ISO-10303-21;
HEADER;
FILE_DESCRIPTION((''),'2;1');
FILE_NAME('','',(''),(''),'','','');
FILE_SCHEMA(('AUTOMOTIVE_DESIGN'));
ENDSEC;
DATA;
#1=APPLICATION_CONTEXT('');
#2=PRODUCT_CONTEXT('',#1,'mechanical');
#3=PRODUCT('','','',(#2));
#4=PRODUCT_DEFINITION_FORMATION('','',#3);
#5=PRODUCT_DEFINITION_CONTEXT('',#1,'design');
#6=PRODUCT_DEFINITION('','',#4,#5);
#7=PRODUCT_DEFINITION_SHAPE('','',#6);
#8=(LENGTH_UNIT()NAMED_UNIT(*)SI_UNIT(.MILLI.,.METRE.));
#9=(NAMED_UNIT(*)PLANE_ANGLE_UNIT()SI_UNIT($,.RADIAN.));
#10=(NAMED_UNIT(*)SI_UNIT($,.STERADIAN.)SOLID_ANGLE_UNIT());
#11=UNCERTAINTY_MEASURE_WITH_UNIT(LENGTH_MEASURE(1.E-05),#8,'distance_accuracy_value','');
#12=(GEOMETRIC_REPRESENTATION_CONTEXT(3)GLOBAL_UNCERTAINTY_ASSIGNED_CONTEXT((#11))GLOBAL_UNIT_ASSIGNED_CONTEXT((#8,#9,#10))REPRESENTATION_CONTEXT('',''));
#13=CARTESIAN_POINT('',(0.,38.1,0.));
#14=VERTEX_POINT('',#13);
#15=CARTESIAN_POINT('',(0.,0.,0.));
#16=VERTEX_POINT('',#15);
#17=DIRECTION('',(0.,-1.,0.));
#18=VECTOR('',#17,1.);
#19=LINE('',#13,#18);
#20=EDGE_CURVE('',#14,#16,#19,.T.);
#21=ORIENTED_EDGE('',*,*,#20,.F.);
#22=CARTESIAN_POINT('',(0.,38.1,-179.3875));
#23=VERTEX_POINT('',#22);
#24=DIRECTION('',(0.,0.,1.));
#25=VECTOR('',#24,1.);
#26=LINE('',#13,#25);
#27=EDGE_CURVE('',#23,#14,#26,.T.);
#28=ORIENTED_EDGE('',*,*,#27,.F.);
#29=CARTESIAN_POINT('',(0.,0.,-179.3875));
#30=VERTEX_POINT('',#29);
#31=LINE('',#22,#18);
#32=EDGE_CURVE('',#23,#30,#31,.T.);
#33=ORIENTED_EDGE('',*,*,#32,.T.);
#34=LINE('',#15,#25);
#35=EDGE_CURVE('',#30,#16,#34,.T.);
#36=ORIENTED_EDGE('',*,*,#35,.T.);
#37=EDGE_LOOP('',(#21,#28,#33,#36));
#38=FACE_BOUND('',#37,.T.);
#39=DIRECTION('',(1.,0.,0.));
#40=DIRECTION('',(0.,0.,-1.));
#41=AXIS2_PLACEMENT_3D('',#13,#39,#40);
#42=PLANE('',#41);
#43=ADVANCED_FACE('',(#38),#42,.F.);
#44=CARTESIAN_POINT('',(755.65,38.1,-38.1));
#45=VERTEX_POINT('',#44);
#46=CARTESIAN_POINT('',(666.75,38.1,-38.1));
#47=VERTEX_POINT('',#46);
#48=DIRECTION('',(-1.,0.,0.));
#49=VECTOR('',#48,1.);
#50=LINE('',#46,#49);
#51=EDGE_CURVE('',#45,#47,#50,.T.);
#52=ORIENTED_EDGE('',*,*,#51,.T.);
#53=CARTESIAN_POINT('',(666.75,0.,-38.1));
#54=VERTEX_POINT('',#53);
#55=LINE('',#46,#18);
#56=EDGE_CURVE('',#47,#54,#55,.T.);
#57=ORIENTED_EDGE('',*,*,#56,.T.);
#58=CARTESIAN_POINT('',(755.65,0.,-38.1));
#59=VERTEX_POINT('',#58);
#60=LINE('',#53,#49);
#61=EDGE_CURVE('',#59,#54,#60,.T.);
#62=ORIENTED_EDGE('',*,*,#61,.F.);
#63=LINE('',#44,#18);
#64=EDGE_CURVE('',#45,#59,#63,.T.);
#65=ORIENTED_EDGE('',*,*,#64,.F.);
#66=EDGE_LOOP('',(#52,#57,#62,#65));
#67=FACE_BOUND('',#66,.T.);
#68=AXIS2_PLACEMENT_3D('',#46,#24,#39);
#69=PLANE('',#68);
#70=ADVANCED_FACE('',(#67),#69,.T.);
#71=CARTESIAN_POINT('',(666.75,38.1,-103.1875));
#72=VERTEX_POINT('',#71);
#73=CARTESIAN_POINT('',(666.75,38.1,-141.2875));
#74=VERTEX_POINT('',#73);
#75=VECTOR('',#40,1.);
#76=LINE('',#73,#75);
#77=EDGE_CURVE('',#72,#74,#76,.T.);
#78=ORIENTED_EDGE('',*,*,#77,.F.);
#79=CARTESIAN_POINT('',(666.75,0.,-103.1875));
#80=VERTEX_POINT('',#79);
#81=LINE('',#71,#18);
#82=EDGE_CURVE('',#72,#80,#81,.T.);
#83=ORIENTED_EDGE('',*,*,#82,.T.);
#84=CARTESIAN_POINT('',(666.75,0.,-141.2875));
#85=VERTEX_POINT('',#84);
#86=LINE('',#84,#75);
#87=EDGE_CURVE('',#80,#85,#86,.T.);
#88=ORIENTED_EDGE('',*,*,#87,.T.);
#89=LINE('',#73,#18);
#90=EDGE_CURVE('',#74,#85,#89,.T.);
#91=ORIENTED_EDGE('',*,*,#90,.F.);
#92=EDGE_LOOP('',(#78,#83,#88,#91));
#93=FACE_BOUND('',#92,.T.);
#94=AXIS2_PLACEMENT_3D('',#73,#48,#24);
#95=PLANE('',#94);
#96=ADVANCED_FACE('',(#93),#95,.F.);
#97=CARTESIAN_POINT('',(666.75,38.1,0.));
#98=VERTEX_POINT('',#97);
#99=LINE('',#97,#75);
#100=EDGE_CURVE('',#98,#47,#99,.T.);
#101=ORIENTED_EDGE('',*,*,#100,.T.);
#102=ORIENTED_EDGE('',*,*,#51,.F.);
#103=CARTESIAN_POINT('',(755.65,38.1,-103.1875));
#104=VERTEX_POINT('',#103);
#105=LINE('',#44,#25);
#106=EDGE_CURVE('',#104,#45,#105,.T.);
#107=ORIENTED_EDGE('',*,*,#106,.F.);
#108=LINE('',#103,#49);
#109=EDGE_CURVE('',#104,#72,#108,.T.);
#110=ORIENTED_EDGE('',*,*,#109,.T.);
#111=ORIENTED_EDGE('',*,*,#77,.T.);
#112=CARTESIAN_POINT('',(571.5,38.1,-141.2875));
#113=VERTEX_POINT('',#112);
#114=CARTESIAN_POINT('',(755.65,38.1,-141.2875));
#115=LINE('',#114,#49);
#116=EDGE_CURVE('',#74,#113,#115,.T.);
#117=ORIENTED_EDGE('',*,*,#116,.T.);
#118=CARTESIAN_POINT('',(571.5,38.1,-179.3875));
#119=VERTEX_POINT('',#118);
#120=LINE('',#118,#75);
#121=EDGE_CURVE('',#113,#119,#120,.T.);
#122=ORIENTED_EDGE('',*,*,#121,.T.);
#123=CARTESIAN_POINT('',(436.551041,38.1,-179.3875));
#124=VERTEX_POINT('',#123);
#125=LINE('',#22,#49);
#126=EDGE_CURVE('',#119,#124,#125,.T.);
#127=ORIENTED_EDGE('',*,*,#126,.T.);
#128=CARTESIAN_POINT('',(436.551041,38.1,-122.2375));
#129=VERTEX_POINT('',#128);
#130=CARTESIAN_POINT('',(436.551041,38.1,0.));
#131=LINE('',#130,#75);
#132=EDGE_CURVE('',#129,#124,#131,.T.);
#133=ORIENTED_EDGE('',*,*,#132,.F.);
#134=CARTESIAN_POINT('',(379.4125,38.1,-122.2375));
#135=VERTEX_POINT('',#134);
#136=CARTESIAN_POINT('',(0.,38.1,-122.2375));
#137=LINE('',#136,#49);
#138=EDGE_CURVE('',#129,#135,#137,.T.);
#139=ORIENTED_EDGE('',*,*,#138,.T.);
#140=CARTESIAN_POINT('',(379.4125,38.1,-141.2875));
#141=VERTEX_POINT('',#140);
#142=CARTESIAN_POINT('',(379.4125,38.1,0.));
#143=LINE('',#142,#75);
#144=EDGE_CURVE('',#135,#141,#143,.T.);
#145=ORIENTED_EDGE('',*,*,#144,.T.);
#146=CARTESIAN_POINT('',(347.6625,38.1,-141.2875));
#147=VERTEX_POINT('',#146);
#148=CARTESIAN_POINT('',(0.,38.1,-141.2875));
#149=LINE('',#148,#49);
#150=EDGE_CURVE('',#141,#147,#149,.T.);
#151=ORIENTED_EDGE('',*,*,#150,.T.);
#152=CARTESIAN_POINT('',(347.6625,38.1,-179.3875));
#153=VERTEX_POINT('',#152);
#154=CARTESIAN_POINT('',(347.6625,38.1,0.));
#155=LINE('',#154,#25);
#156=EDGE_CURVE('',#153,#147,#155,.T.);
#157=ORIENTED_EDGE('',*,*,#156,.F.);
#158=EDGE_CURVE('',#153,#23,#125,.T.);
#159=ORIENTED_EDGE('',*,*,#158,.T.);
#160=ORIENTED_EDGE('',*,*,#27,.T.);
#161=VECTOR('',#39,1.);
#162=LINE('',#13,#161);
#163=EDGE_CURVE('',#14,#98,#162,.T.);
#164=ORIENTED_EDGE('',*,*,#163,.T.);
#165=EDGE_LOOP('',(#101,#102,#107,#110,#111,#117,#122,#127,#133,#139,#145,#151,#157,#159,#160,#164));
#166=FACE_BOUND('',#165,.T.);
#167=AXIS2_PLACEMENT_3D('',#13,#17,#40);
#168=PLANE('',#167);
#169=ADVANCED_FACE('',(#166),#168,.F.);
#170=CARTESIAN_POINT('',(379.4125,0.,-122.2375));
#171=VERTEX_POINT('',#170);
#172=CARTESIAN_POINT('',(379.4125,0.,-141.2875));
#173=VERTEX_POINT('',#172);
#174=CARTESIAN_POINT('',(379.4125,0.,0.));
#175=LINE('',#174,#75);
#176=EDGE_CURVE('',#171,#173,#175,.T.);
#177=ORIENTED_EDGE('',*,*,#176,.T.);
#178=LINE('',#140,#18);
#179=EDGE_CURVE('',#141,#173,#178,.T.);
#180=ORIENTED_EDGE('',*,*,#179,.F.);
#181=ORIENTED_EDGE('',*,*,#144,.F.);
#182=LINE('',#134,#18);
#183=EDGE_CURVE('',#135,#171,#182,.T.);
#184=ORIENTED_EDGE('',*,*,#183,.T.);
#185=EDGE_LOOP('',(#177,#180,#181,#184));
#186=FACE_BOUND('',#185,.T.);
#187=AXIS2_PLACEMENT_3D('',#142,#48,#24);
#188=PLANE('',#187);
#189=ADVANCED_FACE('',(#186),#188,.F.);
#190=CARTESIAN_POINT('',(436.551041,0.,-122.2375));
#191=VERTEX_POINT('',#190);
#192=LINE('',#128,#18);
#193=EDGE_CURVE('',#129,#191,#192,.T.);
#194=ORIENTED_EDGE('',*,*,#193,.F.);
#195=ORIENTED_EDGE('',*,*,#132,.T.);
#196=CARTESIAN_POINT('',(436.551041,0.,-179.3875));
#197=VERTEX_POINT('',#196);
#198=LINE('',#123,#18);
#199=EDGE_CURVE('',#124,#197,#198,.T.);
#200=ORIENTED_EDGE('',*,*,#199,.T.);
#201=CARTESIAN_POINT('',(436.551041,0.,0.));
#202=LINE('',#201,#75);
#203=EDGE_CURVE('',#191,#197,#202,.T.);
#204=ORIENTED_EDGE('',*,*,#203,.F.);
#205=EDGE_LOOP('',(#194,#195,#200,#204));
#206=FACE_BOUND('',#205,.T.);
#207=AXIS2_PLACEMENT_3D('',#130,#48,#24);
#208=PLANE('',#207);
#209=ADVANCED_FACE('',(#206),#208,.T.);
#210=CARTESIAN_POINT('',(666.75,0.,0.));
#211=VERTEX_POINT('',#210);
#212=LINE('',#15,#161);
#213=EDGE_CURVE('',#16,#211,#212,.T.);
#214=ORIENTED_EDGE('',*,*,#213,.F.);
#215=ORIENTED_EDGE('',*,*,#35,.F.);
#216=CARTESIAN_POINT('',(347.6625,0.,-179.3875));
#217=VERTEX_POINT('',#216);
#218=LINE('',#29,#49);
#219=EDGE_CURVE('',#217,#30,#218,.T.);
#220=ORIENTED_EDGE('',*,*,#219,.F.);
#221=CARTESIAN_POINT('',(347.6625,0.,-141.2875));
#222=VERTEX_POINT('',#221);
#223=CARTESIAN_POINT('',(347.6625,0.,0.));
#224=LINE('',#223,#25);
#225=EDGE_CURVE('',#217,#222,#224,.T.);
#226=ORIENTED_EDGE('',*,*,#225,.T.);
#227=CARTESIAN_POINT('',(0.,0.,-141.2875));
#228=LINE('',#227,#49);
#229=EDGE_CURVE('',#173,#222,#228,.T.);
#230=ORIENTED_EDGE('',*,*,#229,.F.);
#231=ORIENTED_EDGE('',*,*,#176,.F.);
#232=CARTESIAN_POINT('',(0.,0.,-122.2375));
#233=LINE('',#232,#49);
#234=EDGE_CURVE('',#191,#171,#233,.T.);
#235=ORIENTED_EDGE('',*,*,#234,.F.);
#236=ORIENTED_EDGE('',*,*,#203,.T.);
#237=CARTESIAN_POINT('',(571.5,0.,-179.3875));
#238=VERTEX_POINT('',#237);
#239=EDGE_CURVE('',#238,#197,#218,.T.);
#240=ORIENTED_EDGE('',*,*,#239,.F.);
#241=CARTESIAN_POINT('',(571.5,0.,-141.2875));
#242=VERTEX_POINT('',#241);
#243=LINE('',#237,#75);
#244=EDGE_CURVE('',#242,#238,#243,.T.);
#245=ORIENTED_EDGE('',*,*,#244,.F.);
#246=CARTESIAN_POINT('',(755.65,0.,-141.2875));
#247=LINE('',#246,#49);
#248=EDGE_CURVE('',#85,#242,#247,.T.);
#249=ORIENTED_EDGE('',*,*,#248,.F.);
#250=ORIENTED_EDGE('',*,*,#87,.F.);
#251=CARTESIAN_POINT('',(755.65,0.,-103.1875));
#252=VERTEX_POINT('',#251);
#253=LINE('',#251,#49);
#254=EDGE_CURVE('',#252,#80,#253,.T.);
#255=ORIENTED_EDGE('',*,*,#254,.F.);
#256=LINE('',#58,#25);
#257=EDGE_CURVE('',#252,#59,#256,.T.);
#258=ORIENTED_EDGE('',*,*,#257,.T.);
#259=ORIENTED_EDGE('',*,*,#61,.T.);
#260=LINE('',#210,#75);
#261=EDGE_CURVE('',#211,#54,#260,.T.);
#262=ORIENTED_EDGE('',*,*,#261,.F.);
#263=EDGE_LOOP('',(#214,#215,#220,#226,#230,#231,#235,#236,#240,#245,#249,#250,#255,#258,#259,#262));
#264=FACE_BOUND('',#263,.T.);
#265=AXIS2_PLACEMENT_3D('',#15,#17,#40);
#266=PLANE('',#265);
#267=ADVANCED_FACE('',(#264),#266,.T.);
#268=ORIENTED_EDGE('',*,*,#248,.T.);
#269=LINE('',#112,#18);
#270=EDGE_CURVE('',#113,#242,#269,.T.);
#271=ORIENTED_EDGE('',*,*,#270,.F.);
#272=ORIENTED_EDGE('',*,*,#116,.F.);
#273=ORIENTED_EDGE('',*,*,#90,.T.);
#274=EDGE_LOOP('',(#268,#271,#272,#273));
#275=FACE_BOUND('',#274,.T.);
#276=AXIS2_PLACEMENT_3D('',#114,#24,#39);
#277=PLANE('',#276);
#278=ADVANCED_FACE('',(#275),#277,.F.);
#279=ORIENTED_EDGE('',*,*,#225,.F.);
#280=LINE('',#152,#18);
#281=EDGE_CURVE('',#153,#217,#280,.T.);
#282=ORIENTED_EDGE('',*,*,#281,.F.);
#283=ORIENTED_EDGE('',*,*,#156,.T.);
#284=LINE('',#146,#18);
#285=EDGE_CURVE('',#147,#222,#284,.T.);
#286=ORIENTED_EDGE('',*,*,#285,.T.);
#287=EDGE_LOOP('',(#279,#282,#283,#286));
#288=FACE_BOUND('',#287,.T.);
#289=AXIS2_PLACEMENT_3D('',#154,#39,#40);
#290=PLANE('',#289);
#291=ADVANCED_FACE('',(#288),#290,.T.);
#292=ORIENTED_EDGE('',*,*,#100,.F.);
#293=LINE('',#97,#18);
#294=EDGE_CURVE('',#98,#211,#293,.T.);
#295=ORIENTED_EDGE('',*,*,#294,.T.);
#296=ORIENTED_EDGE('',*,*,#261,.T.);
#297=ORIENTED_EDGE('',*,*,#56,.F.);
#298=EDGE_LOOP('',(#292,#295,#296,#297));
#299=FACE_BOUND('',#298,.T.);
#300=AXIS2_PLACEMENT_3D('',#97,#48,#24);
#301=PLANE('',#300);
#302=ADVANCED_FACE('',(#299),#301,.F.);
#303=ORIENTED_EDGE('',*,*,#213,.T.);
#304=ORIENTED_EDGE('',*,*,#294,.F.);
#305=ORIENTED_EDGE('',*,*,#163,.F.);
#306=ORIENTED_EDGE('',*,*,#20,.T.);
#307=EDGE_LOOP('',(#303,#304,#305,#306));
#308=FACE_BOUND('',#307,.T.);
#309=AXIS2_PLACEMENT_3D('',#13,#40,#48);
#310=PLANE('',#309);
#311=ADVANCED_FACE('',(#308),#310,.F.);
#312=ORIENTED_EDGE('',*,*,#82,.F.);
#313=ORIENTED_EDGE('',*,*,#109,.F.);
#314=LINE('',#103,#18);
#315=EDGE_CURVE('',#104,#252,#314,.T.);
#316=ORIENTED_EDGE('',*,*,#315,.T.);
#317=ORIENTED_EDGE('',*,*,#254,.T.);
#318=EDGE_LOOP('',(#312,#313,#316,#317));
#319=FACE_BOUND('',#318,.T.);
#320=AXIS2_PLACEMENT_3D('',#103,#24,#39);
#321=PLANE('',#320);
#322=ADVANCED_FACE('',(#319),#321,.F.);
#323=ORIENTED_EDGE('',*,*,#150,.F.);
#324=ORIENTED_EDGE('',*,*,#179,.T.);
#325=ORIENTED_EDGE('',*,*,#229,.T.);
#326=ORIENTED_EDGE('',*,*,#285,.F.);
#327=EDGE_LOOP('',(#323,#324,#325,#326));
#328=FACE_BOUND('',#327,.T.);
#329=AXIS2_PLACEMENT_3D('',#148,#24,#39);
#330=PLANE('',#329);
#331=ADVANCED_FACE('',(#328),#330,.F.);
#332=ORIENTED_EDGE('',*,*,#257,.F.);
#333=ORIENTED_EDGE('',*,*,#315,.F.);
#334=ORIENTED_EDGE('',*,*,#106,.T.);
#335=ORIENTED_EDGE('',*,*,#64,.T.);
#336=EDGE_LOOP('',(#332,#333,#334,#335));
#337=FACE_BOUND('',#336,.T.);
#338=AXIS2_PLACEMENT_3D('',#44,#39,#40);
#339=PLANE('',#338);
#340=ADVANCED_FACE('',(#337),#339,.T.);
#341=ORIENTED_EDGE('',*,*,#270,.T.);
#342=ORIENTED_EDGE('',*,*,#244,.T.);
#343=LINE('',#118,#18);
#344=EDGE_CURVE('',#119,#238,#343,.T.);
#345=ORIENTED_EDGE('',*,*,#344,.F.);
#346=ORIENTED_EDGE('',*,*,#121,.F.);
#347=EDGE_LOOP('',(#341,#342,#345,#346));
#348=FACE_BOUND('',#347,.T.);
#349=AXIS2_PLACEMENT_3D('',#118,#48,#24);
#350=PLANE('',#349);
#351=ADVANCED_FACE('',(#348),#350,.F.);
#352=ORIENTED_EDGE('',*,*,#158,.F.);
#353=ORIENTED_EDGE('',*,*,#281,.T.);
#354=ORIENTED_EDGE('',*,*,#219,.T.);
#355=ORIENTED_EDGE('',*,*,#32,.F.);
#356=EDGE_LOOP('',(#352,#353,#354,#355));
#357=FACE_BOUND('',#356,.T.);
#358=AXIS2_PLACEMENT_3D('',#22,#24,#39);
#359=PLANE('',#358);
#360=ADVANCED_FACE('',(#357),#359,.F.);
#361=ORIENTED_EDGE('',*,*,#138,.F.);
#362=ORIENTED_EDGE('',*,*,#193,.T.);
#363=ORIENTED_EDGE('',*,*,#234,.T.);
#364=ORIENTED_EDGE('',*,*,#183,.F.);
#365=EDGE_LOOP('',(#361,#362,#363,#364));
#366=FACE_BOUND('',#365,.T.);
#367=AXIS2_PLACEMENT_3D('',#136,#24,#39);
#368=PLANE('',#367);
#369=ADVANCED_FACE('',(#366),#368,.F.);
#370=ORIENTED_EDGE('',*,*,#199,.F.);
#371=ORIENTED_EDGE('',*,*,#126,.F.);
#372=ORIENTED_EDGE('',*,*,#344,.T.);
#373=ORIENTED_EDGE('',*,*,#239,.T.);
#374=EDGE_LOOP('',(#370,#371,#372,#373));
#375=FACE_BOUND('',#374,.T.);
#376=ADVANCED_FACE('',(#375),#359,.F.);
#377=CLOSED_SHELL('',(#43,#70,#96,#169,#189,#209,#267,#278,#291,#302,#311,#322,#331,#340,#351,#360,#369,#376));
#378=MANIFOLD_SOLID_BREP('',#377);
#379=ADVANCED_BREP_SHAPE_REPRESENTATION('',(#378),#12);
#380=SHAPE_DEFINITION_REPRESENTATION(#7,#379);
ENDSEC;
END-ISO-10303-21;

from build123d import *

# Parameters (mm, degrees)
SKETCH1_W           = 666.75
SKETCH1_H           = 179.3875
BOSS_EXTRUDE1_DEPTH = 38.1
SKETCH2_W           = 88.9
SKETCH2_H           = 141.2875
BOSS_EXTRUDE2_DEPTH = 38.1
SKETCH3_W           = 184.15
SKETCH3_H           = 38.1
CUT_EXTRUDE1_DEPTH  = 39.1
CUT_EXTRUDE2_DEPTH  = 39.1
SKETCH5_W           = 88.9
SKETCH5_H           = 38.1
CUT_EXTRUDE3_DEPTH  = 39.1


with BuildPart() as part:
    # Sketch1 → Boss-Extrude1 (new body)
    with BuildSketch(Plane(origin=(0, 0, 0), x_dir=(1, 0, 0), z_dir=(0, 1, 0))):
        with Locations((333.375, 89.69375)):
            Rectangle(SKETCH1_W, SKETCH1_H)
    extrude(amount=BOSS_EXTRUDE1_DEPTH)

    # Sketch2 → Boss-Extrude2 (add, through all)
    with BuildSketch(Plane.XZ):
        with Locations((711.2, -108.74375)):
            Rectangle(SKETCH2_W, SKETCH2_H)
    extrude(amount=-BOSS_EXTRUDE2_DEPTH)

    # Sketch3 → Cut-Extrude1 (cut, through all)
    with BuildSketch(Plane.XZ):
        with Locations((663.575, -160.3375)):
            Rectangle(SKETCH3_W, SKETCH3_H)
    extrude(amount=-CUT_EXTRUDE1_DEPTH, mode=Mode.SUBTRACT)

    # Sketch4 → Cut-Extrude2 (cut, through all)
    with BuildSketch(Plane.XZ):
        Polygon((436.55104079, -141.2875), (436.55104079, -122.2375), (379.4125, -122.2375), (379.4125, -141.2875), (347.6625, -141.2875), (347.6625, -179.3875), (436.55104079, -179.3875), align=None)
    extrude(amount=-CUT_EXTRUDE2_DEPTH, mode=Mode.SUBTRACT)

    # Sketch5 → Cut-Extrude3 (cut, through all)
    with BuildSketch(Plane.XZ):
        with Locations((711.2, -122.2375)):
            Rectangle(SKETCH5_W, SKETCH5_H)
    extrude(amount=-CUT_EXTRUDE3_DEPTH, mode=Mode.SUBTRACT)


solid = part.part
